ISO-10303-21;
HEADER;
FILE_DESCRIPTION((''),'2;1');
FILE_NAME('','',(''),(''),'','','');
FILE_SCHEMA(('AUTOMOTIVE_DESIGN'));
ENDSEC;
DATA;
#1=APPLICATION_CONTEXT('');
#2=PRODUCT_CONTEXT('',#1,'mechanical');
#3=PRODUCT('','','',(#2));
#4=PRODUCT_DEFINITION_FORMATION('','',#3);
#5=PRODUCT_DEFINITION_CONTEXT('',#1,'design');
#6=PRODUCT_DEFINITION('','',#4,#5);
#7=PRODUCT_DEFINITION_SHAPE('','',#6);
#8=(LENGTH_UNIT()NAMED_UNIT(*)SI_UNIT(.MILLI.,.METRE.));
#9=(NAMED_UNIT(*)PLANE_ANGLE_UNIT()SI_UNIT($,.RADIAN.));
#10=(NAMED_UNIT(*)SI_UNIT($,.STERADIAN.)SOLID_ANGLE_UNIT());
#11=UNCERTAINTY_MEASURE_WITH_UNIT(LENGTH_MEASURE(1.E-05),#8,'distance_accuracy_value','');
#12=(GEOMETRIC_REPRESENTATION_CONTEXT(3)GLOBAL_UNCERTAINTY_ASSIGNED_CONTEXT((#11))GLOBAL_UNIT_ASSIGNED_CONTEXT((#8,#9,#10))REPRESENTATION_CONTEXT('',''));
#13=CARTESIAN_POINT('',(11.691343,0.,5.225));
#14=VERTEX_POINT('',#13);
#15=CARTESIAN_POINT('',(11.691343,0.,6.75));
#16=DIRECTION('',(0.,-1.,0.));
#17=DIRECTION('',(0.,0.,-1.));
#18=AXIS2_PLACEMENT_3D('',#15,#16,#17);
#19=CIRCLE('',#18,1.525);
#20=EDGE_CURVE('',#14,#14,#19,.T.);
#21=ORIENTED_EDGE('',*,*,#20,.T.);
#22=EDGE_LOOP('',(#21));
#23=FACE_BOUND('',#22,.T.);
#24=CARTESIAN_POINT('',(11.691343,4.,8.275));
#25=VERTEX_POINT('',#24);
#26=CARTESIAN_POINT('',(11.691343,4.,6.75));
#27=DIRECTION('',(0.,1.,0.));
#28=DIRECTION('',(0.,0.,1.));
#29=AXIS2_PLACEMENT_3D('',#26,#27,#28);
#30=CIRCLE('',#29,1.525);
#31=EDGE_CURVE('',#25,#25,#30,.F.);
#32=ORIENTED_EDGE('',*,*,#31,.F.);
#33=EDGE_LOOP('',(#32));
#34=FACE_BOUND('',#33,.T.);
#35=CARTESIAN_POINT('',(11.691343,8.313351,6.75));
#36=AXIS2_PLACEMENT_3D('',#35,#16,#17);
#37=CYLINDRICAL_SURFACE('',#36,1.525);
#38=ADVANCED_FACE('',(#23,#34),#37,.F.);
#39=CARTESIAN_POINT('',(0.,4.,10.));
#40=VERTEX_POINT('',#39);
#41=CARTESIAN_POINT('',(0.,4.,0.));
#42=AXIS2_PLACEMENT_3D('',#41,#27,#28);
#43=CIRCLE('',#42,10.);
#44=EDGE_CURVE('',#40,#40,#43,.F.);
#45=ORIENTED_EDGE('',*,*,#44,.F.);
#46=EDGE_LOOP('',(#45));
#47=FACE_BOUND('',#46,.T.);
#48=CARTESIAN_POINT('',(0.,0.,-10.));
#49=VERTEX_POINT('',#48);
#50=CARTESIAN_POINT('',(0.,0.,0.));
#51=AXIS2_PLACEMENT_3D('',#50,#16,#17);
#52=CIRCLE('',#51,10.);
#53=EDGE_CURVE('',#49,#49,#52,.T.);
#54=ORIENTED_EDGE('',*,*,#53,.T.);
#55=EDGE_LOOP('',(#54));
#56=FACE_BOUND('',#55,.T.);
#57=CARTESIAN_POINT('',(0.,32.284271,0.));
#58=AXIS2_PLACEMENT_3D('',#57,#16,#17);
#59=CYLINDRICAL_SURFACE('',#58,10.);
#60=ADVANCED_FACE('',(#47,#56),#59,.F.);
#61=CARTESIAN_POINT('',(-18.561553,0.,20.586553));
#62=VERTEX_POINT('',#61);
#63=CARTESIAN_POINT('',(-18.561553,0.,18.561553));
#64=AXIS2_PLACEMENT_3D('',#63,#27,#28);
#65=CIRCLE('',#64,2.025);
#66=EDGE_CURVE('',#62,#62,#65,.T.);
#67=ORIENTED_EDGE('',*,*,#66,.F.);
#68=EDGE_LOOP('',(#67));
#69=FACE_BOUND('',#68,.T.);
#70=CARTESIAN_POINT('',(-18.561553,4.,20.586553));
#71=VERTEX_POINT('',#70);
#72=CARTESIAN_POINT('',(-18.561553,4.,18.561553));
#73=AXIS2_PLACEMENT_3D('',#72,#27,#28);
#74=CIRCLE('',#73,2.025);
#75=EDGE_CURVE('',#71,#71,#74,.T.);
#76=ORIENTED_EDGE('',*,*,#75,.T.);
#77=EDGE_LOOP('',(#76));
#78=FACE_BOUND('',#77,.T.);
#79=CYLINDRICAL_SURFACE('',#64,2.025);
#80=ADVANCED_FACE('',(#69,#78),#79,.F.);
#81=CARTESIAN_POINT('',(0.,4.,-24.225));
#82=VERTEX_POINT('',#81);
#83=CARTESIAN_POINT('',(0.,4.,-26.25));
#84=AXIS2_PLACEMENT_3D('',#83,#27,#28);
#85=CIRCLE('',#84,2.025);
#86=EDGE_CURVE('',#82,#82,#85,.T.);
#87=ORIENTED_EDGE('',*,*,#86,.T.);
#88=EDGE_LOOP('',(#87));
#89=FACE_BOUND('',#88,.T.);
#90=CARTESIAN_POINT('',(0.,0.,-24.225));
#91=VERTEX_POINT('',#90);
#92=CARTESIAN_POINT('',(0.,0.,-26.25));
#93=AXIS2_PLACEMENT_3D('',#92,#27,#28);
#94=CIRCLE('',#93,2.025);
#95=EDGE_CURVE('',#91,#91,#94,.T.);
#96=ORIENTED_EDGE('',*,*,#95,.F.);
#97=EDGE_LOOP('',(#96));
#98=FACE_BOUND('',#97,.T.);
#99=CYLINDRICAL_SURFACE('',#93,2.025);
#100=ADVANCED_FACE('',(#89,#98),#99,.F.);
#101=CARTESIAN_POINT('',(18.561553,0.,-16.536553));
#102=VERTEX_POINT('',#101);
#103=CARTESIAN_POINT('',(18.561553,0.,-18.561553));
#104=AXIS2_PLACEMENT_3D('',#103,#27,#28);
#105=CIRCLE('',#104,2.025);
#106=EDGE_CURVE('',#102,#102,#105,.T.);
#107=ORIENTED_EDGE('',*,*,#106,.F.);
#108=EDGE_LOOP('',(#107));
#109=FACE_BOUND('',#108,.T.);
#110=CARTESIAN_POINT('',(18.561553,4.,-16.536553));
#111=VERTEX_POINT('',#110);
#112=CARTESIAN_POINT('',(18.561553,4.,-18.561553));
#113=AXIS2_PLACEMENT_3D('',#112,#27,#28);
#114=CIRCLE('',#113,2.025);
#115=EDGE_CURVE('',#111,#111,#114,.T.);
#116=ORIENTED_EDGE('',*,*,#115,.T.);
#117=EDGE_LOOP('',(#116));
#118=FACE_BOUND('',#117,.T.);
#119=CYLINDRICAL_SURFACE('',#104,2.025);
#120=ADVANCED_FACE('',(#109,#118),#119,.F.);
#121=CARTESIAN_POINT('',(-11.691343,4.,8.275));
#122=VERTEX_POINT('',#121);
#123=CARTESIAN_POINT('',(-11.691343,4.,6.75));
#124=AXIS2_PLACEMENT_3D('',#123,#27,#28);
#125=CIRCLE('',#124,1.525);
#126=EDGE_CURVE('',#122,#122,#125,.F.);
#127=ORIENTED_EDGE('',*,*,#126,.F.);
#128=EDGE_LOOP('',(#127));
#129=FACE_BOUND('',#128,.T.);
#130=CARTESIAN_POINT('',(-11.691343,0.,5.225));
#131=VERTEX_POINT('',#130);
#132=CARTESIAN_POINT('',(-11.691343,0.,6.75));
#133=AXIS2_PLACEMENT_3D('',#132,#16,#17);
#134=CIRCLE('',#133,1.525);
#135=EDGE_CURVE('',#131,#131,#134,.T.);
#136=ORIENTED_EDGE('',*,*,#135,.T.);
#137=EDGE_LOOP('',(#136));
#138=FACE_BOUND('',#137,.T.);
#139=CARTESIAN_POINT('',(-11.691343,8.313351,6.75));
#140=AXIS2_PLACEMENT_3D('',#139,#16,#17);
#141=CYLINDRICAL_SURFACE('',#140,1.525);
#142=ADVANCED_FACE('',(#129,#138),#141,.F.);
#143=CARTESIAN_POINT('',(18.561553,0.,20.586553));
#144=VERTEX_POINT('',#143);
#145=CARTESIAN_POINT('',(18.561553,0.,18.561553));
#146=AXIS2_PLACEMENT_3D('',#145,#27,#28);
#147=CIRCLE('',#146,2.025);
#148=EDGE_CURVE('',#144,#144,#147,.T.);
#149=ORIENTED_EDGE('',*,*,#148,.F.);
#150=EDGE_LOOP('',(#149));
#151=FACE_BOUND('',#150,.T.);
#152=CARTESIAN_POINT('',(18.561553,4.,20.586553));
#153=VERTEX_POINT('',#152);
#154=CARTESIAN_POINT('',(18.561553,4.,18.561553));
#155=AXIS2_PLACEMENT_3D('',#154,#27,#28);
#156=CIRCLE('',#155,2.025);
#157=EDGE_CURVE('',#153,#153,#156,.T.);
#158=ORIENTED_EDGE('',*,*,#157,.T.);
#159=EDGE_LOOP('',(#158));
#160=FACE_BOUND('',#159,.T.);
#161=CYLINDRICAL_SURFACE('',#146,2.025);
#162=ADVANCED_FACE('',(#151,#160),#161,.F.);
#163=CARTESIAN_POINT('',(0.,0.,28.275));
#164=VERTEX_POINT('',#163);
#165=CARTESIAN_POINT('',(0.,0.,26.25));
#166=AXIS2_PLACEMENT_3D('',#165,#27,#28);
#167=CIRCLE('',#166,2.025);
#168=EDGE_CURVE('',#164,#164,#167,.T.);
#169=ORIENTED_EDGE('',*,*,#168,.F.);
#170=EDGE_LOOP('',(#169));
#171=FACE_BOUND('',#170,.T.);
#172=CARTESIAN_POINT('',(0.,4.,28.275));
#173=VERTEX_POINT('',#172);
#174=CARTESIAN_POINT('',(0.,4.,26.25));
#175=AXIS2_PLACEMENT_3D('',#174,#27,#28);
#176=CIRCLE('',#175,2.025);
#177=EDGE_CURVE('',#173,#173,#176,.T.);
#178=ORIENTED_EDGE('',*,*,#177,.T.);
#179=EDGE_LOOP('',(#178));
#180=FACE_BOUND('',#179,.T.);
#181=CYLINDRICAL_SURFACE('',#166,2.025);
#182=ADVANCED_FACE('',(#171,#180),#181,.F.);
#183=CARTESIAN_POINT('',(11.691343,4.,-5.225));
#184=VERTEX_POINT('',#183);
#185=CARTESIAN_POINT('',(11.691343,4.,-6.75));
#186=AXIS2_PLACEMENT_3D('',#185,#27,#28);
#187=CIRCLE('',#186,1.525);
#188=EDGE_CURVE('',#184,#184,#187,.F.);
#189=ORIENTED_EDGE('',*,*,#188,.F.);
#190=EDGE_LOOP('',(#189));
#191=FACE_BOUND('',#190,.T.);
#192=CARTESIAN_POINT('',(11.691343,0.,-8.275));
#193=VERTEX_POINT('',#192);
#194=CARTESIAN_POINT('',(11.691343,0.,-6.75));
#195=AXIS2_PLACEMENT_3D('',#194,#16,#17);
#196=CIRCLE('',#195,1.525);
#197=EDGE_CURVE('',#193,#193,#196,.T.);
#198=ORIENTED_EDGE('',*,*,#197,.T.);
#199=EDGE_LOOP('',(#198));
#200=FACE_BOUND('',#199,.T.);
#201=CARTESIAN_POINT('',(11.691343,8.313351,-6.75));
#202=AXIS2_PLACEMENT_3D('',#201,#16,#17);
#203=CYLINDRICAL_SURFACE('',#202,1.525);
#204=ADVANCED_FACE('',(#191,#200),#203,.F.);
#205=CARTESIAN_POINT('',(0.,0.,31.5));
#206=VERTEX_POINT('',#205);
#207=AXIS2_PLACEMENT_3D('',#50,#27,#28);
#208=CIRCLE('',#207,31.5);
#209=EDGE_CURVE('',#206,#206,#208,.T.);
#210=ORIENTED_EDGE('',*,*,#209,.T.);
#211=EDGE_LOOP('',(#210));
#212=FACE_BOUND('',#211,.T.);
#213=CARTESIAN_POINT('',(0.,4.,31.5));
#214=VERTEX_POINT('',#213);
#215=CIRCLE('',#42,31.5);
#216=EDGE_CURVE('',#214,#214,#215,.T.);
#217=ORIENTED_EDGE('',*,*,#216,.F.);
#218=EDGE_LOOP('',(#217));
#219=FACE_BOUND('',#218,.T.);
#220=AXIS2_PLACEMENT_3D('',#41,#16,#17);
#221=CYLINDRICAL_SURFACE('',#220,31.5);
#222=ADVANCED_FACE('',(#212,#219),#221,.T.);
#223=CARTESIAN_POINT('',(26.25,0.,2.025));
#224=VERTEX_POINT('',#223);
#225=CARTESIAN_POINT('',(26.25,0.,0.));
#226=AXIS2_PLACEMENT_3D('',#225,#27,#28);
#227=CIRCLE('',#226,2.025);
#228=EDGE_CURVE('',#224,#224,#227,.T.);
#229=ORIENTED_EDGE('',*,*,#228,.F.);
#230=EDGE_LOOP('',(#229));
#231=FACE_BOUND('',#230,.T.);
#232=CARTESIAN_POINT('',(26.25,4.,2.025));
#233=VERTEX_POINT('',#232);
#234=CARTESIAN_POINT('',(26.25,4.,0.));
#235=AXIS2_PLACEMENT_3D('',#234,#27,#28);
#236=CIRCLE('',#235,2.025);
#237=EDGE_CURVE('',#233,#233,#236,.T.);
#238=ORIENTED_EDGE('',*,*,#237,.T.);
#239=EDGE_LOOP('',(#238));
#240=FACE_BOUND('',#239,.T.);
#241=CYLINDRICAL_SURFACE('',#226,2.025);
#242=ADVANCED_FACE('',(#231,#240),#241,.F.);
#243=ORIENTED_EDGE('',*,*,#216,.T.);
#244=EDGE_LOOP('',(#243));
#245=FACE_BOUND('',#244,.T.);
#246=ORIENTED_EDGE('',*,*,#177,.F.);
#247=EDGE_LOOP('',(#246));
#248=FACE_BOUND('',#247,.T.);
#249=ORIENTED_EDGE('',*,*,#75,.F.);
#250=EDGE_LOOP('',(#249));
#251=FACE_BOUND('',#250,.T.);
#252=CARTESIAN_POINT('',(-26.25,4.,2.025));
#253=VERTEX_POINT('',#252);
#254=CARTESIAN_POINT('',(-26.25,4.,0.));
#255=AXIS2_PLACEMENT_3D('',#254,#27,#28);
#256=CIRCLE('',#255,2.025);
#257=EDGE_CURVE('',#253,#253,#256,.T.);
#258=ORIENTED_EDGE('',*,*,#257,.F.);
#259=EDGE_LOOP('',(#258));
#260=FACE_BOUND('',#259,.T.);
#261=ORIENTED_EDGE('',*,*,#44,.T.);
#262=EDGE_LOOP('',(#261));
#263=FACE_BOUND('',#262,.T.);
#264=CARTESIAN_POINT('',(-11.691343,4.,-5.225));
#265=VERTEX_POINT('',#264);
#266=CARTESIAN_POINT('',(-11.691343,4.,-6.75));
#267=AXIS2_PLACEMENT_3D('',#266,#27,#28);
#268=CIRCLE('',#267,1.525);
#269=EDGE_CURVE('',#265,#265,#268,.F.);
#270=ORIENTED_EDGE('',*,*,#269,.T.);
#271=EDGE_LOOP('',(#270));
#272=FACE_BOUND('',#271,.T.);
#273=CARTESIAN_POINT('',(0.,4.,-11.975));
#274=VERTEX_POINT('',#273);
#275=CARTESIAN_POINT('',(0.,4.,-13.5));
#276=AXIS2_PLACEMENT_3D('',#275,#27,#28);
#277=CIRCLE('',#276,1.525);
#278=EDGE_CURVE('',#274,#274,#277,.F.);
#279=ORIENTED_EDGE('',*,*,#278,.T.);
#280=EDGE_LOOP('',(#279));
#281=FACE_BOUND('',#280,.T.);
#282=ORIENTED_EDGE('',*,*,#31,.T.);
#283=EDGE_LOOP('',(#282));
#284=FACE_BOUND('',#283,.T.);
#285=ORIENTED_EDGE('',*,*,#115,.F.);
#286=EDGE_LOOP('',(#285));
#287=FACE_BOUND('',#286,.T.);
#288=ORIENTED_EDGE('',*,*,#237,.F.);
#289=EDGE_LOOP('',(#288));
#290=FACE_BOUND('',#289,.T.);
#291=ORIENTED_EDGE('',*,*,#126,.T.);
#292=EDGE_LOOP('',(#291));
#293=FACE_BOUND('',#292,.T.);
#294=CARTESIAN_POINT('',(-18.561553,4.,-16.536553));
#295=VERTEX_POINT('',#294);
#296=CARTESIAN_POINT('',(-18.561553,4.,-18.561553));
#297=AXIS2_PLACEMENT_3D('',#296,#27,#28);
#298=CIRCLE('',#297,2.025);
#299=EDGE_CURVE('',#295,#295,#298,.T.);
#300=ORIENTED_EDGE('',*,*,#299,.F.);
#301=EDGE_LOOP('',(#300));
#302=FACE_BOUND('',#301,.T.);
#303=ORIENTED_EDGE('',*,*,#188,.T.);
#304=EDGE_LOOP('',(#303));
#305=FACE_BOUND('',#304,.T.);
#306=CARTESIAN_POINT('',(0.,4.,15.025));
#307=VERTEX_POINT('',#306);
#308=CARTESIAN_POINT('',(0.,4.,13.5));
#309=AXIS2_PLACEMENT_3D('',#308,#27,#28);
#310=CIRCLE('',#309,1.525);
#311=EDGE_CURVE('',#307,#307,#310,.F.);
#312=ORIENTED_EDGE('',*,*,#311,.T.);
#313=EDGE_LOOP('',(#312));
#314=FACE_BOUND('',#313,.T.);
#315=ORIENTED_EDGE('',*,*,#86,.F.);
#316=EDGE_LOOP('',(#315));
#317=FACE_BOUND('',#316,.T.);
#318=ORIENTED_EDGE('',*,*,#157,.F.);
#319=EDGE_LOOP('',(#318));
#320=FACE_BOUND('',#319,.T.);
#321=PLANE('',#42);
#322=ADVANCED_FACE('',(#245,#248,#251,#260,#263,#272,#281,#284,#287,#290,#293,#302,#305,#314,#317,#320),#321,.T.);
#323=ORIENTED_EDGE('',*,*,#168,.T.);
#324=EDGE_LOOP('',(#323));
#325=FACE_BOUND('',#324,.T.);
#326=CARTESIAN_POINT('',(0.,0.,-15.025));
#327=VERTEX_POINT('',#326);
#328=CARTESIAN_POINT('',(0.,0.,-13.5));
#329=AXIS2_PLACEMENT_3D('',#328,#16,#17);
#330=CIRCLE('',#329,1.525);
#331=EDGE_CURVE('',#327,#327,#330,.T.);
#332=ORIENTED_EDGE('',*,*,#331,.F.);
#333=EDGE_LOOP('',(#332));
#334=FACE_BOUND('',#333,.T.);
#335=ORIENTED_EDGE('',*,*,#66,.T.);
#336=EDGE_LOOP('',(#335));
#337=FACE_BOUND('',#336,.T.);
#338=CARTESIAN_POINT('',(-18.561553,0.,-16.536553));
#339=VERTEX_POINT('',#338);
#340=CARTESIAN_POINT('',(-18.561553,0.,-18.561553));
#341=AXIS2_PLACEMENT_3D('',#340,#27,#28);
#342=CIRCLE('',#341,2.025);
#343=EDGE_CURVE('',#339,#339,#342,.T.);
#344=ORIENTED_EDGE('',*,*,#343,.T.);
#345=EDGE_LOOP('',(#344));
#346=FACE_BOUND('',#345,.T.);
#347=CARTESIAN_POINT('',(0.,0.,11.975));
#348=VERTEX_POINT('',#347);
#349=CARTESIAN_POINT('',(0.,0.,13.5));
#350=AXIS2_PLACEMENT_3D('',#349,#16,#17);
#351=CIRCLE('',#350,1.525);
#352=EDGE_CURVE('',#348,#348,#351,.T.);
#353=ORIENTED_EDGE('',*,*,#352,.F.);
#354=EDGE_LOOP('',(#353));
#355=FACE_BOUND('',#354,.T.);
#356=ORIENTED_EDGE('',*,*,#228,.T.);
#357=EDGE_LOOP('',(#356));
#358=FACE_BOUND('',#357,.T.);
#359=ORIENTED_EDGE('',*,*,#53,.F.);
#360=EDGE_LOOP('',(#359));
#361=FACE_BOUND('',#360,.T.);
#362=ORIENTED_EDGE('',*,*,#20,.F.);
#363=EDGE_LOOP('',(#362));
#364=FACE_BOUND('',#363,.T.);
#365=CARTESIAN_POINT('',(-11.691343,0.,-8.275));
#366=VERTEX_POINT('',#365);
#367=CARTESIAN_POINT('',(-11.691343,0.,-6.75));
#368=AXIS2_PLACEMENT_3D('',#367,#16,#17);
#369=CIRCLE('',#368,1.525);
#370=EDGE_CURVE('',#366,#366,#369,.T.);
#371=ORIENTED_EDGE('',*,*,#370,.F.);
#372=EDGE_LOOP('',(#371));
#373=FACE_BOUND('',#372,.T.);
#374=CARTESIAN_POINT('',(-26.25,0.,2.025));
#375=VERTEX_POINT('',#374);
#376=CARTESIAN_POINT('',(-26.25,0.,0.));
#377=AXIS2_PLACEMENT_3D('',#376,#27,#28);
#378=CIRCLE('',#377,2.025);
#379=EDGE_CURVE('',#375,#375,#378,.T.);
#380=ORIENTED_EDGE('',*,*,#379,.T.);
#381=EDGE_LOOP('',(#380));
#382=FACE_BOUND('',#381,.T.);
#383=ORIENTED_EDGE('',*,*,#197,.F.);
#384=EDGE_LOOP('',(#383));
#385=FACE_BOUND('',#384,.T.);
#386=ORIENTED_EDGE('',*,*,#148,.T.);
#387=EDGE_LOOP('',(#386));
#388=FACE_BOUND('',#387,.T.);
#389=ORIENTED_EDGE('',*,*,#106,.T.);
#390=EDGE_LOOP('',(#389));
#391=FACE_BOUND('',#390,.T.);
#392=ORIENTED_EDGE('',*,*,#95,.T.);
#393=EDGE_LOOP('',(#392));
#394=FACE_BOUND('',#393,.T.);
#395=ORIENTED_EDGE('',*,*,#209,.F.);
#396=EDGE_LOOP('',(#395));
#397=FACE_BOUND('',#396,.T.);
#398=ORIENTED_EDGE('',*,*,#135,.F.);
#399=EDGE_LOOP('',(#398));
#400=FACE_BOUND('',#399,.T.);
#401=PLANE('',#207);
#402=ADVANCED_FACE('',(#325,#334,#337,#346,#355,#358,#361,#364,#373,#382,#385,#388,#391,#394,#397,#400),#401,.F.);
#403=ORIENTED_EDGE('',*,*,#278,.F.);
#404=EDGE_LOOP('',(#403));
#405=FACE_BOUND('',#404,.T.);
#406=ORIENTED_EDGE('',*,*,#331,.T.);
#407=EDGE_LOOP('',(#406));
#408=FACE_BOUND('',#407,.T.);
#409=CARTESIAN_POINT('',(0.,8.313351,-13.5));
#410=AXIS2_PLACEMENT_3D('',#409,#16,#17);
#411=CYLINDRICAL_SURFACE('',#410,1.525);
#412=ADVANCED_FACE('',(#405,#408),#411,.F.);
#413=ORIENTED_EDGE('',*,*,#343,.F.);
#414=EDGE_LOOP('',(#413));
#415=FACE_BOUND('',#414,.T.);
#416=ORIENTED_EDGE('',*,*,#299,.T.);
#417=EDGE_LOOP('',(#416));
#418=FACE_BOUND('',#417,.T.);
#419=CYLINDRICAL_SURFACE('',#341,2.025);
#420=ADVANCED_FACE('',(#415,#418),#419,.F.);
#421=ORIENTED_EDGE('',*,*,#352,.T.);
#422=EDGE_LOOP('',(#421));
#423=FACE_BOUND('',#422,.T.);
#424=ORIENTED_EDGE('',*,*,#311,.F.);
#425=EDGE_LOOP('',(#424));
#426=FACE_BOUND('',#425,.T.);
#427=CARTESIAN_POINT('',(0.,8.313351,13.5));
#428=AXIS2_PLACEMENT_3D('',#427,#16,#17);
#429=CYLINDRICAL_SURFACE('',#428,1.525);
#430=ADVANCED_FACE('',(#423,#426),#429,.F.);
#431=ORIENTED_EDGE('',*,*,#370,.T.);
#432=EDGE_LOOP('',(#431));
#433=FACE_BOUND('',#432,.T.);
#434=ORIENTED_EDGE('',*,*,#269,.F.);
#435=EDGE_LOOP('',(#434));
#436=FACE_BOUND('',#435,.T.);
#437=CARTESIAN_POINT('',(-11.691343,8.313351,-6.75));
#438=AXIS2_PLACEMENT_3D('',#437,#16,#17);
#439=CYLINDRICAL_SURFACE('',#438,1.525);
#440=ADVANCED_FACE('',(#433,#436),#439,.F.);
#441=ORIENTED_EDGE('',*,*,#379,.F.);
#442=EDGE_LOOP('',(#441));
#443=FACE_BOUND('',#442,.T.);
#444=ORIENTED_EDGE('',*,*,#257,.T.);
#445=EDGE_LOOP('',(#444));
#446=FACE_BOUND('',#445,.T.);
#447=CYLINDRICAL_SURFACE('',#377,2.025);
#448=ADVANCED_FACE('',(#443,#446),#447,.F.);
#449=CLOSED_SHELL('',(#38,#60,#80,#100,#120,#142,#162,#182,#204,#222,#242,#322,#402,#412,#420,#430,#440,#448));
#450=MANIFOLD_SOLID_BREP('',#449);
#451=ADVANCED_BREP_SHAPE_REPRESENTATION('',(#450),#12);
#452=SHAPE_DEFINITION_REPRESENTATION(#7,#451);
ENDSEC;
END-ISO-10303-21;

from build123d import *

# Parameters (mm, degrees)
SKETCH_1_R               = 31.5
SKETCH_1_R_2             = 22.5
EXTRUDE_1_DEPTH          = 4
SKETCH_2_R               = 2.025
CUT_EXTRUDE_1_DEPTH      = 1
CUT_EXTRUDE_1_DEPTH_BACK = 5
SKETCH_3_R               = 22.5
EXTRUDE_2_DEPTH          = 4
SKETCH_4_R               = 1.525
CUT_EXTRUDE_2_DEPTH      = 4
SKETCH_5_R               = 10
CUT_EXTRUDE_3_DEPTH      = 4


with BuildPart() as part:
    # 草图1 → 凸台-拉伸1 (new body)
    with BuildSketch(Plane(origin=(0, 0, 0), x_dir=(1, 0, 0), z_dir=(0, 1, 0))):
        Circle(SKETCH_1_R)
        Circle(SKETCH_1_R_2, mode=Mode.SUBTRACT)
    extrude(amount=EXTRUDE_1_DEPTH)

    # 草图2 → 切除-拉伸1 (cut, two sides)
    with BuildSketch(Plane(origin=(0, 4, 0), x_dir=(1, 0, 0), z_dir=(0, 1, 0))) as cut_extrude_1_sk:
        with Locations((0, 26.25)):
            Circle(SKETCH_2_R)
        with Locations((18.561553006, 18.561553006)):
            Circle(SKETCH_2_R)
        with Locations((26.25, 0)):
            Circle(SKETCH_2_R)
        with Locations((18.561553006, -18.561553006)):
            Circle(SKETCH_2_R)
        with Locations((0, -26.25)):
            Circle(SKETCH_2_R)
        with Locations((-18.561553006, -18.561553006)):
            Circle(SKETCH_2_R)
        with Locations((-26.25, 0)):
            Circle(SKETCH_2_R)
        with Locations((-18.561553006, 18.561553006)):
            Circle(SKETCH_2_R)
    extrude(amount=CUT_EXTRUDE_1_DEPTH, mode=Mode.SUBTRACT)
    extrude(cut_extrude_1_sk.sketch, amount=-CUT_EXTRUDE_1_DEPTH_BACK, mode=Mode.SUBTRACT)

    # 草图3 → 凸台-拉伸2 (add)
    with BuildSketch(Plane(origin=(0, 4, 0), x_dir=(1, 0, 0), z_dir=(0, 1, 0))):
        Circle(SKETCH_3_R)
    extrude(amount=-EXTRUDE_2_DEPTH)

    # 草图4 → 切除-拉伸2 (cut)
    with BuildSketch(Plane.XZ):
        with Locations((0, 13.5)):
            Circle(SKETCH_4_R)
        with Locations((11.691342951, 6.75)):
            Circle(SKETCH_4_R)
        with Locations((11.691342951, -6.75)):
            Circle(SKETCH_4_R)
        with Locations((0, -13.5)):
            Circle(SKETCH_4_R)
        with Locations((-11.691342951, -6.75)):
            Circle(SKETCH_4_R)
        with Locations((-11.691342951, 6.75)):
            Circle(SKETCH_4_R)
    extrude(amount=-CUT_EXTRUDE_2_DEPTH, mode=Mode.SUBTRACT)

    # 草图5 → 切除-拉伸3 (cut)
    with BuildSketch(Plane.XZ):
        Circle(SKETCH_5_R)
    extrude(amount=-CUT_EXTRUDE_3_DEPTH, mode=Mode.SUBTRACT)


solid = part.part
